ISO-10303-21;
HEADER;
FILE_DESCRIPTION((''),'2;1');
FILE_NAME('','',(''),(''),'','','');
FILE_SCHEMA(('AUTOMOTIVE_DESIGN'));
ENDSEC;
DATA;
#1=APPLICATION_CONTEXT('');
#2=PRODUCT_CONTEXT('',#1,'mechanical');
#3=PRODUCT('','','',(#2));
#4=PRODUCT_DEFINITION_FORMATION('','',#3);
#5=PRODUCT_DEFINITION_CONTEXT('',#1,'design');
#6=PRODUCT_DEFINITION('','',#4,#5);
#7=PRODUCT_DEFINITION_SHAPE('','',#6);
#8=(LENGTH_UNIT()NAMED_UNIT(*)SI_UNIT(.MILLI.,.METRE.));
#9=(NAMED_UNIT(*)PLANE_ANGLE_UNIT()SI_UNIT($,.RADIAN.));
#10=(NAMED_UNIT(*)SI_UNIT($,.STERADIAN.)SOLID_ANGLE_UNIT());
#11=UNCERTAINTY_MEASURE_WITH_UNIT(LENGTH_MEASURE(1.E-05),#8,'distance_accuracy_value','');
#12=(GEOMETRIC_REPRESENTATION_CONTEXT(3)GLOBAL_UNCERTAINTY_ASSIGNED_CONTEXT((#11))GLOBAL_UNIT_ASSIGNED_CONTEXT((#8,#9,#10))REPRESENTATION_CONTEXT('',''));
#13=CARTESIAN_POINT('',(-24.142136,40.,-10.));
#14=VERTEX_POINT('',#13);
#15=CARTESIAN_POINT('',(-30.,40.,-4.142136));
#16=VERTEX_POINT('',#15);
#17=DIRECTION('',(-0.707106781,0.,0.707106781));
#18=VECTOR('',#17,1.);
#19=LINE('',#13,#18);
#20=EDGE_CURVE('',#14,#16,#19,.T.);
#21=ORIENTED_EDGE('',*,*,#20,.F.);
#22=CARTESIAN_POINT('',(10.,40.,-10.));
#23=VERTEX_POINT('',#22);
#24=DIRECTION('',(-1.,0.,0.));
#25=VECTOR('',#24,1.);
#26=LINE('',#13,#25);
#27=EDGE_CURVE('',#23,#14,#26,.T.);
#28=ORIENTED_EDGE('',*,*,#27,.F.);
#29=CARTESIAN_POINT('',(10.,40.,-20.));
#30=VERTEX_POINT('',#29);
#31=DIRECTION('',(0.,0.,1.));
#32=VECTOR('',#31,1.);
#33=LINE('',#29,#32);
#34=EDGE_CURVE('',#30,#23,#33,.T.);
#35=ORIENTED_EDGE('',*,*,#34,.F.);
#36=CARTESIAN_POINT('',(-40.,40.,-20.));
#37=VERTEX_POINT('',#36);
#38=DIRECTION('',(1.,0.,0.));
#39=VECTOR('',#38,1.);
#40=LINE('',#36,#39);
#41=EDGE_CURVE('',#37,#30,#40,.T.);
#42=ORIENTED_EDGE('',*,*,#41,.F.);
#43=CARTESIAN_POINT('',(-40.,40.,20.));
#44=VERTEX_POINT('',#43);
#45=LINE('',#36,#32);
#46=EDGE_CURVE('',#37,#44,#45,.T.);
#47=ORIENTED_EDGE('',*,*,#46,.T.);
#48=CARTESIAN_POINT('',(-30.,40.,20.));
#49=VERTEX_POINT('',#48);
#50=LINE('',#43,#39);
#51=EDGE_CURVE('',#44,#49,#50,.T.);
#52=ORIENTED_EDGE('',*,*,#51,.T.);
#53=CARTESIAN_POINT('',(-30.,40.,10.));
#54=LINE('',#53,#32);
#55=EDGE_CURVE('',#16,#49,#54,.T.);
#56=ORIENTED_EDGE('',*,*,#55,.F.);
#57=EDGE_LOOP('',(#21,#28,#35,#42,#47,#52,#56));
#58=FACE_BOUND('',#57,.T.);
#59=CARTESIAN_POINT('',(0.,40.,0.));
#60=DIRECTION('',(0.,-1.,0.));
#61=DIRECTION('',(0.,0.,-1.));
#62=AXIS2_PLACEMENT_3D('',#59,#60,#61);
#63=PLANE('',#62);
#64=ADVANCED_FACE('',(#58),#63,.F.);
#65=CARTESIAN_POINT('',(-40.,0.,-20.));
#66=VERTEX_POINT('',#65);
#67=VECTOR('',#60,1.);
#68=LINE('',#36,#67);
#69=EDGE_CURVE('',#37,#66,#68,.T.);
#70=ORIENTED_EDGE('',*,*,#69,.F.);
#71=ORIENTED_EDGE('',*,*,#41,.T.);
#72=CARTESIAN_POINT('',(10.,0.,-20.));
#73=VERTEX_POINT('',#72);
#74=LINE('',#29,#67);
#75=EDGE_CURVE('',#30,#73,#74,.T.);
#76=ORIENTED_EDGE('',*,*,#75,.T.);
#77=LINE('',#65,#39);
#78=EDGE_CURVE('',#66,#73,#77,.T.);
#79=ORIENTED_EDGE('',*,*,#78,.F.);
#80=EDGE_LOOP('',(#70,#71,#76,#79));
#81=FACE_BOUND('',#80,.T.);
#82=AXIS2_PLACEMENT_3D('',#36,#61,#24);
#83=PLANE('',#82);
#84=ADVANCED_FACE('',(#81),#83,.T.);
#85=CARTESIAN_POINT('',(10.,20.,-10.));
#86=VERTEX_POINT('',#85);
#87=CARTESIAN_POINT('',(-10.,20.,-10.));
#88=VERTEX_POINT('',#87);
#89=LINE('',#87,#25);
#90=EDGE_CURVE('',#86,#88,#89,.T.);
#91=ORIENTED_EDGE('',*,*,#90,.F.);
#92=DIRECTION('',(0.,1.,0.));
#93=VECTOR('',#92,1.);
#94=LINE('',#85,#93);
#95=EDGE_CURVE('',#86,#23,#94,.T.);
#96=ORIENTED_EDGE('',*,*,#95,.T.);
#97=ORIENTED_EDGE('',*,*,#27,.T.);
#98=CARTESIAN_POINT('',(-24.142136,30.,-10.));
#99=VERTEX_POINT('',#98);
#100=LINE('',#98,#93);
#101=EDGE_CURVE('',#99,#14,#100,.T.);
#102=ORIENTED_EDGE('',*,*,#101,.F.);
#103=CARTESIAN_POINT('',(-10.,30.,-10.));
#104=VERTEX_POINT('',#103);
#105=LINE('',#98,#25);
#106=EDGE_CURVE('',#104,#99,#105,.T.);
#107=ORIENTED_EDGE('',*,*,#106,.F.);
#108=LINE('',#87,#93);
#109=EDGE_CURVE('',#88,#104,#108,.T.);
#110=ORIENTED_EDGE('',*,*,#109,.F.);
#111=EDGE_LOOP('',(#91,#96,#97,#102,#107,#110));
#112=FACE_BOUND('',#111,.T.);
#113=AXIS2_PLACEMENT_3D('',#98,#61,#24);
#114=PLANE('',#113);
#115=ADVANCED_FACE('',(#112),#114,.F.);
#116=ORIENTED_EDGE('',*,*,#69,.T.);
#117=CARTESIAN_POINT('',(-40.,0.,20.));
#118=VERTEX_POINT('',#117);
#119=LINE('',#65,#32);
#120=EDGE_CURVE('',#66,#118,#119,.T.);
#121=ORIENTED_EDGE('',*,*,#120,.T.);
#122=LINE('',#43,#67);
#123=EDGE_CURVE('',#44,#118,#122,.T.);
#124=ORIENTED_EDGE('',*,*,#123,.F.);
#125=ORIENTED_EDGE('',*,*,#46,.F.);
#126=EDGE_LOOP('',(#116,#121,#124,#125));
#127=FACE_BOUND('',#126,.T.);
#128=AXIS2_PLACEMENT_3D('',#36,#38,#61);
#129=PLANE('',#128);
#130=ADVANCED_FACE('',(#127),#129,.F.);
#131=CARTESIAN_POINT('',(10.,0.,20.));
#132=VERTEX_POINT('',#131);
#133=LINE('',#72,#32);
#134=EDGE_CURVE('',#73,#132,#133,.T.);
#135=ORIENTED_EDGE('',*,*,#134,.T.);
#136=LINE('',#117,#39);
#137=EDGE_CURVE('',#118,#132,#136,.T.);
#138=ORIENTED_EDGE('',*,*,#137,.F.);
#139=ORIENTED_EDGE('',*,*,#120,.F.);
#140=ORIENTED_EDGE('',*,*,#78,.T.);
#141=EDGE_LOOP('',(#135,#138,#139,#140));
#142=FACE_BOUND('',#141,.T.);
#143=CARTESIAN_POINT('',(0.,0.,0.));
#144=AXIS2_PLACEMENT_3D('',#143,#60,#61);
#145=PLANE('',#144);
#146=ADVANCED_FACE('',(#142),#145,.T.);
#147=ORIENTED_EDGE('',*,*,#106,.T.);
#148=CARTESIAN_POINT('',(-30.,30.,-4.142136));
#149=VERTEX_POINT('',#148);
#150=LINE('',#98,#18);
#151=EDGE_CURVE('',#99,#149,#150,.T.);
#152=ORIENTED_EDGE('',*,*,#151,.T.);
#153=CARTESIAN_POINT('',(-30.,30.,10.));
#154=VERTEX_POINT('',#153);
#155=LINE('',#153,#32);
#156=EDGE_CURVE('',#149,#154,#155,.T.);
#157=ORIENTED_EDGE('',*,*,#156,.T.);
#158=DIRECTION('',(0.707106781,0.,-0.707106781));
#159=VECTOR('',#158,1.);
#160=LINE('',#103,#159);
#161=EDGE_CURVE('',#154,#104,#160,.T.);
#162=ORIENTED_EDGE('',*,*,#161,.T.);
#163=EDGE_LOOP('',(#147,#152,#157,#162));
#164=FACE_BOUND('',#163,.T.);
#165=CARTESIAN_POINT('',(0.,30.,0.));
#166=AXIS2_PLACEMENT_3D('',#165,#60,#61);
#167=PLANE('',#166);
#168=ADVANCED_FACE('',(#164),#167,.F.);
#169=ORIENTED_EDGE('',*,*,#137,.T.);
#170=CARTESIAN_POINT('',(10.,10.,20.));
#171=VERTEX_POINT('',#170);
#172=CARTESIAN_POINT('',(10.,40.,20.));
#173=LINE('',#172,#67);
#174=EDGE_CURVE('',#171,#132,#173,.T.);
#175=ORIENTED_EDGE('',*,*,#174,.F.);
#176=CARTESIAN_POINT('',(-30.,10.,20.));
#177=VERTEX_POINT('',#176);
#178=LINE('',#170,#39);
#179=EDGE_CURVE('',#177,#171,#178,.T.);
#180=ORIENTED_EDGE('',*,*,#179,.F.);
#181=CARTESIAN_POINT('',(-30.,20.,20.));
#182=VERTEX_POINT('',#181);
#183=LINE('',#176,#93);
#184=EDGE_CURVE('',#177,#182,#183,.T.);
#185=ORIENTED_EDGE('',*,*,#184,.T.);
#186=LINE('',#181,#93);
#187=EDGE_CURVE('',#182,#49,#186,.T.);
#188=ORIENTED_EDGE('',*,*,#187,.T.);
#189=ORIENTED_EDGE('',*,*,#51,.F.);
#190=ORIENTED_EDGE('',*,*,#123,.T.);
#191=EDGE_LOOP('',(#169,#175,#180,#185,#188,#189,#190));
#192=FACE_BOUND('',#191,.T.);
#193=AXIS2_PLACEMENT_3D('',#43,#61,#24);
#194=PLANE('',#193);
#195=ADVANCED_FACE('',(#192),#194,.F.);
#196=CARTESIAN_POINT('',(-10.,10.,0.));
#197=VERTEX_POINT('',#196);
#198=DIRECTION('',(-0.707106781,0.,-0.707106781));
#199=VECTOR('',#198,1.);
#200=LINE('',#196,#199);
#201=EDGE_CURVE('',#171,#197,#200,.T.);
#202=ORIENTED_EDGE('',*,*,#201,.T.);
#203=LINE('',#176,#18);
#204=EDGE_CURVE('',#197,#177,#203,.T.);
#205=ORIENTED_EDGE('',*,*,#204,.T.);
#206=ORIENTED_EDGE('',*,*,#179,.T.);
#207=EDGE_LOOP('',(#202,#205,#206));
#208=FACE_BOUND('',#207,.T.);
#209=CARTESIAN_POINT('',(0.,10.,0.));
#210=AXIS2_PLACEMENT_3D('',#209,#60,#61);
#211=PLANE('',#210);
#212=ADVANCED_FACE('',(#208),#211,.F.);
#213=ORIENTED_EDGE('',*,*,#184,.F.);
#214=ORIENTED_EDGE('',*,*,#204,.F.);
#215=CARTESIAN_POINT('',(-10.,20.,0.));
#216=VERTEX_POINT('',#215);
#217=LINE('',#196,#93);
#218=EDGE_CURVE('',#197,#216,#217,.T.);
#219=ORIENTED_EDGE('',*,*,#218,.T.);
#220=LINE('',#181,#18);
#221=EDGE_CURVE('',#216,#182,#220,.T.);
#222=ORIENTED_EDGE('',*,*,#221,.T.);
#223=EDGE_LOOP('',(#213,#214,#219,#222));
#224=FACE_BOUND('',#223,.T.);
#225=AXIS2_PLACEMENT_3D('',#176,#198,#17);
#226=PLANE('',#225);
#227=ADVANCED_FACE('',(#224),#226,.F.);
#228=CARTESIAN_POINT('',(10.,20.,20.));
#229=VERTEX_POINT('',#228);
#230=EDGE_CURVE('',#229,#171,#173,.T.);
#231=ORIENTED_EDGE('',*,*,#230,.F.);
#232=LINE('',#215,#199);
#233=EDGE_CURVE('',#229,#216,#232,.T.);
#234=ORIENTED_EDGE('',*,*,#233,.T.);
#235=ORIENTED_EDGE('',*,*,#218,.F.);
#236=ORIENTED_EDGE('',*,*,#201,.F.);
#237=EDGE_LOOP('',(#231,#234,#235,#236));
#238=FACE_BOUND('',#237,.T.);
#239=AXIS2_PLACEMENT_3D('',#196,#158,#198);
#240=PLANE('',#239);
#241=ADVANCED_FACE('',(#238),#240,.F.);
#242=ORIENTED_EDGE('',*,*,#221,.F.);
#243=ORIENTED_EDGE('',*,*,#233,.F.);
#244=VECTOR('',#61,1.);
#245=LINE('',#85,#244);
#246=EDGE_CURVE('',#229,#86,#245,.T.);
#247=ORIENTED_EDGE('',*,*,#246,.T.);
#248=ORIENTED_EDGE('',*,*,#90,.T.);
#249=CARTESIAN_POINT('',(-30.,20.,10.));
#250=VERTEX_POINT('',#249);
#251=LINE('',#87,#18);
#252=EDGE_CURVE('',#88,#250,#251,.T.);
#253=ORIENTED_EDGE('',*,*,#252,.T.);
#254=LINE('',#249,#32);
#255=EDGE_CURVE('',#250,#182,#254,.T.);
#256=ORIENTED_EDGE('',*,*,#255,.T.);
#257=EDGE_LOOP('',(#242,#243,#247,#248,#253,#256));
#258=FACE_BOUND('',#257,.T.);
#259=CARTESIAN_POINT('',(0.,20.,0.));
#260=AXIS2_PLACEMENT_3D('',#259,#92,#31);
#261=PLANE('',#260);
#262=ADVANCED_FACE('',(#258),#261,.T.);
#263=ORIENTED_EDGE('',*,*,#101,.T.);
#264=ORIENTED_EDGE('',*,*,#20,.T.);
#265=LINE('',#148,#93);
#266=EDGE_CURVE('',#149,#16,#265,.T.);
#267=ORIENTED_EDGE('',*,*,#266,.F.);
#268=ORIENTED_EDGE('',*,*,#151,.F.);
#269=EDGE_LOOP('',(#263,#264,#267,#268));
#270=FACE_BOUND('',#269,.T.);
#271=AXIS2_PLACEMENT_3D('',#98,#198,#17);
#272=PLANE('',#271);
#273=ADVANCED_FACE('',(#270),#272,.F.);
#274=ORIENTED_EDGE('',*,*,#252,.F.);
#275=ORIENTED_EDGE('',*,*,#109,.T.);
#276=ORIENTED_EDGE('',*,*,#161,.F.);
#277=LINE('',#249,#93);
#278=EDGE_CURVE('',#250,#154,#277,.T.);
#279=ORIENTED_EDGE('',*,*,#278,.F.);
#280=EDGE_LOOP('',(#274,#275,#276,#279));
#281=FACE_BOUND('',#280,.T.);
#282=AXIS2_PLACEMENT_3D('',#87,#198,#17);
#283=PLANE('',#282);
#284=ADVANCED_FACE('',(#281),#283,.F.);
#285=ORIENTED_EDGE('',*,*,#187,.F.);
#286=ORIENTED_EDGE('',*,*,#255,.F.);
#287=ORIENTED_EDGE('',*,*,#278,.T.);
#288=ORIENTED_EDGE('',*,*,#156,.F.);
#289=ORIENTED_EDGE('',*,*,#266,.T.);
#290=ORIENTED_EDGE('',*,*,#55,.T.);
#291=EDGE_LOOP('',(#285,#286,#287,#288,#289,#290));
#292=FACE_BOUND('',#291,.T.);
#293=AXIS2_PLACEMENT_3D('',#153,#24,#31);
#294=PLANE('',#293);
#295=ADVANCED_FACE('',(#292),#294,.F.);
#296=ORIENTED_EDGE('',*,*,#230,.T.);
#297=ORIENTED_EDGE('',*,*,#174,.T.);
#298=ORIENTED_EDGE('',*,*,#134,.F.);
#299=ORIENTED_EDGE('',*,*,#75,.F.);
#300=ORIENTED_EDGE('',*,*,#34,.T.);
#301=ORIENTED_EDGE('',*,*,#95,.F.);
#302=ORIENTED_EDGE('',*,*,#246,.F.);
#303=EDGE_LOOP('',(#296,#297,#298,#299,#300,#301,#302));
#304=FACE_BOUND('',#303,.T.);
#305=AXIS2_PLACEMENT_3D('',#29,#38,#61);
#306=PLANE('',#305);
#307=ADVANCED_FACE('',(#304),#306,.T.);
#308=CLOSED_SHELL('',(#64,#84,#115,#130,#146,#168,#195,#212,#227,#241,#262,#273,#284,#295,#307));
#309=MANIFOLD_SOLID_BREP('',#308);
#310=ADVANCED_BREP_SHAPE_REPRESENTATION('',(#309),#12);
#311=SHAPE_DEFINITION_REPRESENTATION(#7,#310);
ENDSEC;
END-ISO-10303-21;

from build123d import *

# Parameters (mm, degrees)
SKETCH1_W           = 50
SKETCH1_H           = 40
BOSS_EXTRUDE1_DEPTH = 40
CUT_EXTRUDE1_DEPTH  = 10
CUT_EXTRUDE2_DEPTH  = 20
CUT_EXTRUDE3_DEPTH  = 10


with BuildPart() as part:
    # Sketch1 → Boss-Extrude1 (new body)
    with BuildSketch(Plane(origin=(0, 0, 0), x_dir=(1, 0, 0), z_dir=(0, 1, 0))):
        with Locations((-15, 0)):
            Rectangle(SKETCH1_W, SKETCH1_H)
    extrude(amount=BOSS_EXTRUDE1_DEPTH)

    # Sketch2 → Cut-Extrude1 (cut)
    with BuildSketch(Plane(origin=(0, 40, 0), x_dir=(1, 0, 0), z_dir=(0, 1, 0))):
        Polygon((-30, -10), (-30, 4.142135624), (-24.142135624, 10), (-10, 10), align=None)
    extrude(amount=-CUT_EXTRUDE1_DEPTH, mode=Mode.SUBTRACT)

    # Sketch3 → Cut-Extrude2 (cut)
    with BuildSketch(Plane(origin=(0, 40, 0), x_dir=(1, 0, 0), z_dir=(0, 1, 0))):
        Polygon((-30, -10), (-30, -20), (10, -20), (10, 10), (-10, 10), align=None)
    extrude(amount=-CUT_EXTRUDE2_DEPTH, mode=Mode.SUBTRACT)

    # Sketch4 → Cut-Extrude3 (cut)
    with BuildSketch(Plane(origin=(0, 20, 0), x_dir=(1, 0, 0), z_dir=(0, 1, 0))):
        Polygon((-30, -20), (-10, 0), (10, -20), align=None)
    extrude(amount=-CUT_EXTRUDE3_DEPTH, mode=Mode.SUBTRACT)


solid = part.part
